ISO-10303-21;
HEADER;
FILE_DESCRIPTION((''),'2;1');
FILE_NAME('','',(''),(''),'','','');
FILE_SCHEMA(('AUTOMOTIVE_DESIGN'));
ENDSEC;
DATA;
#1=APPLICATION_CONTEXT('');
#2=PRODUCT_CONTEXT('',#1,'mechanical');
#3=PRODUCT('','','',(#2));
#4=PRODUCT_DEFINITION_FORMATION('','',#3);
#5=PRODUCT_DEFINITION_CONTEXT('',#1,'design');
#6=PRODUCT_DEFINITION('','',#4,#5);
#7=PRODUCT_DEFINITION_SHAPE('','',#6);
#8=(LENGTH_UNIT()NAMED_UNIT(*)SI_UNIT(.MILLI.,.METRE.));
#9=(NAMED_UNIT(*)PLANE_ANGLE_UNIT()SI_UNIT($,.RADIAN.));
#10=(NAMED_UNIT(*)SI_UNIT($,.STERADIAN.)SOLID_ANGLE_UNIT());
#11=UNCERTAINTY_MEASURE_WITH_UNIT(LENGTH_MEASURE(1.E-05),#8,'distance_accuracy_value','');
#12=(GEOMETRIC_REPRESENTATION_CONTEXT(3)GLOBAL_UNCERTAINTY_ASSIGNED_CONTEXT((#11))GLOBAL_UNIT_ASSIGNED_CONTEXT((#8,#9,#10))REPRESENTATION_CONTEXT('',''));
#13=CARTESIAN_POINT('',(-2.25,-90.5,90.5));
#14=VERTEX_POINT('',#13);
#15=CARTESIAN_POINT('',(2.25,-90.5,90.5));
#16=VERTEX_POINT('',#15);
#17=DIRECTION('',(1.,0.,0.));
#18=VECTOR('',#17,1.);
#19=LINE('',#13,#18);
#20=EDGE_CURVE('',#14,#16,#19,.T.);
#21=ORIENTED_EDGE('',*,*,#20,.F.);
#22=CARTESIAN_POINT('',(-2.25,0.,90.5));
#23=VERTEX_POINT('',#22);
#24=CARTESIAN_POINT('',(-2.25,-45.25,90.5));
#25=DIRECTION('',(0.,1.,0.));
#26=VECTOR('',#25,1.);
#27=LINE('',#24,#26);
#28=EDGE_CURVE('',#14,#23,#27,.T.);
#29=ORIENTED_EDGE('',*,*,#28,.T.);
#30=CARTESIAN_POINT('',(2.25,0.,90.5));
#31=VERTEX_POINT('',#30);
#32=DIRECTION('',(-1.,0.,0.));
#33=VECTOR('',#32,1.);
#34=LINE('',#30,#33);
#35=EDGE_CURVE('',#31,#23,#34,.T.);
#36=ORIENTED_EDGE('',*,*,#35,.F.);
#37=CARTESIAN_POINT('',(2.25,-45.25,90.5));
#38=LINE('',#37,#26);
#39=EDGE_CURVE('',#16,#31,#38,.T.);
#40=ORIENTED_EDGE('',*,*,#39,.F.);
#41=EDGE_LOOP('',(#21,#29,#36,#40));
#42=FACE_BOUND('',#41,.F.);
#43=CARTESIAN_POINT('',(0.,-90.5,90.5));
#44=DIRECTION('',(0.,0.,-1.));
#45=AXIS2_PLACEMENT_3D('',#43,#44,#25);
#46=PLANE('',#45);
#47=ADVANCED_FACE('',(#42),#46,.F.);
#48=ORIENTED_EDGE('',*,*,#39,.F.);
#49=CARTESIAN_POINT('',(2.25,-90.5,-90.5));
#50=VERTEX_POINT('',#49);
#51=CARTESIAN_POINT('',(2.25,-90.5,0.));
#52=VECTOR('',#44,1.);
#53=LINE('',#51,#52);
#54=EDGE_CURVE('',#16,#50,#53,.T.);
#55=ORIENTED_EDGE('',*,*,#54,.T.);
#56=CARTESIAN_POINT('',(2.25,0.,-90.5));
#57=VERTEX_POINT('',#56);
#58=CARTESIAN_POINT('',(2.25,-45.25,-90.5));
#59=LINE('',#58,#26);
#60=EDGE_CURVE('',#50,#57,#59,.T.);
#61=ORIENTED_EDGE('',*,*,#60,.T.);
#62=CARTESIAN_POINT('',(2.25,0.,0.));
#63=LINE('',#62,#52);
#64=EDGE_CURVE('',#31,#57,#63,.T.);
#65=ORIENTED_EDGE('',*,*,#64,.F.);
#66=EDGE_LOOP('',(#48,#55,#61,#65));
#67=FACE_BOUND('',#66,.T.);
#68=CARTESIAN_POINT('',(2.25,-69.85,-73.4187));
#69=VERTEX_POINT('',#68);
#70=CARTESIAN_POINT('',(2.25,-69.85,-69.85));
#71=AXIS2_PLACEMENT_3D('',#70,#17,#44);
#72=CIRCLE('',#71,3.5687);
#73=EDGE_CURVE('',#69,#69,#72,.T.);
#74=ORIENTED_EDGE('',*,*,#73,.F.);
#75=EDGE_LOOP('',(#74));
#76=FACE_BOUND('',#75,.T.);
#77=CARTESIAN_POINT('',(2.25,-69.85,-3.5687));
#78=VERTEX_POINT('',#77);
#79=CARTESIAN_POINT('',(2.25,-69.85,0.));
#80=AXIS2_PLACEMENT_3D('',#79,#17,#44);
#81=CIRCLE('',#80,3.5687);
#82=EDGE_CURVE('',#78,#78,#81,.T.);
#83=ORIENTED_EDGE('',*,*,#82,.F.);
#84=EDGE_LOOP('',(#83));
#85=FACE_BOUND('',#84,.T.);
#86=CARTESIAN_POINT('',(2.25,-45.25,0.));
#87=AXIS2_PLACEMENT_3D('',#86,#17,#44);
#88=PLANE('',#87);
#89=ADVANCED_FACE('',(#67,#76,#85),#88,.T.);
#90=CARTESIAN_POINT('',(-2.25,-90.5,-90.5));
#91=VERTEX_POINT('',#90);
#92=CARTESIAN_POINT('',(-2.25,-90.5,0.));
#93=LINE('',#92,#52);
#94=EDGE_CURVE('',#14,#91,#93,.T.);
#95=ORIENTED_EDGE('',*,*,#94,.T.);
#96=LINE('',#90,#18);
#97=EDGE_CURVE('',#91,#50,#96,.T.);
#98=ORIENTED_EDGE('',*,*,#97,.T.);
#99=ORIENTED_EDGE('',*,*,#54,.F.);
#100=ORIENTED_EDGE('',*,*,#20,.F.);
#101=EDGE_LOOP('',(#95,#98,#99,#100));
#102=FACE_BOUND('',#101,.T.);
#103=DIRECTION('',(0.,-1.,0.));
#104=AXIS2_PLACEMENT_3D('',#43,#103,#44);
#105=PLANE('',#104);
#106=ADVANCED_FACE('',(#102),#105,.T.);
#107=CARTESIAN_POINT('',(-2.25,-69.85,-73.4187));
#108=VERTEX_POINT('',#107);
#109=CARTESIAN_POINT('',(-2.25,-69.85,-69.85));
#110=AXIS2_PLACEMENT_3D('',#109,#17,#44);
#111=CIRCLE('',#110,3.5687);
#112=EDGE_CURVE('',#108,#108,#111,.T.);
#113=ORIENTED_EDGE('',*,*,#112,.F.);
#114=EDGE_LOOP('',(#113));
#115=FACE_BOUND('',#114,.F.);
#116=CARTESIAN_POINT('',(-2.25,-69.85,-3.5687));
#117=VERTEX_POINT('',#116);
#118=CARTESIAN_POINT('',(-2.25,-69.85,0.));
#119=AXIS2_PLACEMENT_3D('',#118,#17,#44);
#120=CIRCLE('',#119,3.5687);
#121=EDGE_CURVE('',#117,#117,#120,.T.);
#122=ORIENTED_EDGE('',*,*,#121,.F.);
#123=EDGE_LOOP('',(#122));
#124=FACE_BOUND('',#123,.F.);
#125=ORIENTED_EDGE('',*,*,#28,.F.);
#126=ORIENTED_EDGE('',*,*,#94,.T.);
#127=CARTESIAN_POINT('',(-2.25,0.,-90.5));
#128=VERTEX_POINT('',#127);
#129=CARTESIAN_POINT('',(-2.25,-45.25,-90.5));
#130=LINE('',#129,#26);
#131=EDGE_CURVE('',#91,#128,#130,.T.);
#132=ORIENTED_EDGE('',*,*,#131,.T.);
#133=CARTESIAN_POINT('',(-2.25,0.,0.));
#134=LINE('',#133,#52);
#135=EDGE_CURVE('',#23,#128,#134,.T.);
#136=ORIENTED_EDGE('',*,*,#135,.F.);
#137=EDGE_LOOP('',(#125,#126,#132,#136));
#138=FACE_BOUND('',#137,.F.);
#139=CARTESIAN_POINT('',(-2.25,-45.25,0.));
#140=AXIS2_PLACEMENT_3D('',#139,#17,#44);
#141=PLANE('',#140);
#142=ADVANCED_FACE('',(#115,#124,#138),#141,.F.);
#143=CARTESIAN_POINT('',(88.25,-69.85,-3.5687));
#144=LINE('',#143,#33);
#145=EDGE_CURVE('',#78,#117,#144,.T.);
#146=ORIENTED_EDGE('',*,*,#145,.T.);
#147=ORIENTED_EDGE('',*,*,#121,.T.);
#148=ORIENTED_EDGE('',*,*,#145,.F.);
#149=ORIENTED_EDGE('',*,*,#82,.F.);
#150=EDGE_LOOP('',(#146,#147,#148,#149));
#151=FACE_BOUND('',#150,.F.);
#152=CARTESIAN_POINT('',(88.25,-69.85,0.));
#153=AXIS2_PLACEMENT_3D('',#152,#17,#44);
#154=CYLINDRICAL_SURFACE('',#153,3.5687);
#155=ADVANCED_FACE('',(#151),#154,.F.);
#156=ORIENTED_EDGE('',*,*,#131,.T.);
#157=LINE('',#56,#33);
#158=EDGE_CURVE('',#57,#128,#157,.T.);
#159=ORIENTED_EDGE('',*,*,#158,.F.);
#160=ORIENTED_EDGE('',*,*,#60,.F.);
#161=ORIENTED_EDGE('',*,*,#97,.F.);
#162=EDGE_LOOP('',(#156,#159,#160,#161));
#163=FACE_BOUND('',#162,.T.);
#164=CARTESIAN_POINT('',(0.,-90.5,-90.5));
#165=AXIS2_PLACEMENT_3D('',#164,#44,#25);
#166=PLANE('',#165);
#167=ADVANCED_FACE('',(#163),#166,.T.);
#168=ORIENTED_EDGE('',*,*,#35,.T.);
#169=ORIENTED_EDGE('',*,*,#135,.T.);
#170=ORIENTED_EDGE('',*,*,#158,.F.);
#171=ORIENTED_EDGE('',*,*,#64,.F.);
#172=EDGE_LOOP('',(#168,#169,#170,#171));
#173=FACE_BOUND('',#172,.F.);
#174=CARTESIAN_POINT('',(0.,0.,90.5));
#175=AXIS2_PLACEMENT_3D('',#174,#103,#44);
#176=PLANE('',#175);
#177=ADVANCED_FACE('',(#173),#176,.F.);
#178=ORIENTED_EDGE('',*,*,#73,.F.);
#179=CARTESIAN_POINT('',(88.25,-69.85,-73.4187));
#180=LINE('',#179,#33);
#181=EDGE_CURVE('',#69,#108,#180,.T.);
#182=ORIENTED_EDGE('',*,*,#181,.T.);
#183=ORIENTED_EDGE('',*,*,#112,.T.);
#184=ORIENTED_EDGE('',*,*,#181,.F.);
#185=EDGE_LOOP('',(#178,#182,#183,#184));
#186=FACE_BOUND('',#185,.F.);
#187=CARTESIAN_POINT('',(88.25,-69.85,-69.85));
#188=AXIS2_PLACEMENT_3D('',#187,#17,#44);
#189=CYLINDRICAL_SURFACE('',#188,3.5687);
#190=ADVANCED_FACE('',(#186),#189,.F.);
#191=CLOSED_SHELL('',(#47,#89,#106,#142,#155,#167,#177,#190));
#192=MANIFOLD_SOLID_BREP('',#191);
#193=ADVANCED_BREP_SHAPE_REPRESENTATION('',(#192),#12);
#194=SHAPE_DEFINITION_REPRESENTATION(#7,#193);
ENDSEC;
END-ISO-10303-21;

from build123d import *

# Parameters (mm, degrees)
SKETCH1_W               = 181
SKETCH1_H               = 90.5
BOSS_EXTRUDE1_DEPTH     = 2.25
SKETCH2_R               = 3.5687
CUT_EXTRUDE1_DEPTH      = 1
CUT_EXTRUDE1_DEPTH_BACK = 91.5


with BuildPart() as part:
    # Sketch1 → Boss-Extrude1 (new body, symmetric)
    with BuildSketch(Plane(origin=(0, 0, 0), x_dir=(0, 0, -1), z_dir=(1, 0, 0))):
        with Locations((0, -45.25)):
            Rectangle(SKETCH1_W, SKETCH1_H)
    extrude(amount=BOSS_EXTRUDE1_DEPTH, both=True)

    # Sketch2 → Cut-Extrude1 (cut, two sides)
    with BuildSketch(Plane(origin=(88.25, 0, 0), x_dir=(0, 0, -1), z_dir=(1, 0, 0))) as cut_extrude1_sk:
        with Locations((0, -69.85)):
            Circle(SKETCH2_R)
        with Locations((69.85, -69.85)):
            Circle(SKETCH2_R)
    extrude(amount=CUT_EXTRUDE1_DEPTH, mode=Mode.SUBTRACT)
    extrude(cut_extrude1_sk.sketch, amount=-CUT_EXTRUDE1_DEPTH_BACK, mode=Mode.SUBTRACT)


solid = part.part
